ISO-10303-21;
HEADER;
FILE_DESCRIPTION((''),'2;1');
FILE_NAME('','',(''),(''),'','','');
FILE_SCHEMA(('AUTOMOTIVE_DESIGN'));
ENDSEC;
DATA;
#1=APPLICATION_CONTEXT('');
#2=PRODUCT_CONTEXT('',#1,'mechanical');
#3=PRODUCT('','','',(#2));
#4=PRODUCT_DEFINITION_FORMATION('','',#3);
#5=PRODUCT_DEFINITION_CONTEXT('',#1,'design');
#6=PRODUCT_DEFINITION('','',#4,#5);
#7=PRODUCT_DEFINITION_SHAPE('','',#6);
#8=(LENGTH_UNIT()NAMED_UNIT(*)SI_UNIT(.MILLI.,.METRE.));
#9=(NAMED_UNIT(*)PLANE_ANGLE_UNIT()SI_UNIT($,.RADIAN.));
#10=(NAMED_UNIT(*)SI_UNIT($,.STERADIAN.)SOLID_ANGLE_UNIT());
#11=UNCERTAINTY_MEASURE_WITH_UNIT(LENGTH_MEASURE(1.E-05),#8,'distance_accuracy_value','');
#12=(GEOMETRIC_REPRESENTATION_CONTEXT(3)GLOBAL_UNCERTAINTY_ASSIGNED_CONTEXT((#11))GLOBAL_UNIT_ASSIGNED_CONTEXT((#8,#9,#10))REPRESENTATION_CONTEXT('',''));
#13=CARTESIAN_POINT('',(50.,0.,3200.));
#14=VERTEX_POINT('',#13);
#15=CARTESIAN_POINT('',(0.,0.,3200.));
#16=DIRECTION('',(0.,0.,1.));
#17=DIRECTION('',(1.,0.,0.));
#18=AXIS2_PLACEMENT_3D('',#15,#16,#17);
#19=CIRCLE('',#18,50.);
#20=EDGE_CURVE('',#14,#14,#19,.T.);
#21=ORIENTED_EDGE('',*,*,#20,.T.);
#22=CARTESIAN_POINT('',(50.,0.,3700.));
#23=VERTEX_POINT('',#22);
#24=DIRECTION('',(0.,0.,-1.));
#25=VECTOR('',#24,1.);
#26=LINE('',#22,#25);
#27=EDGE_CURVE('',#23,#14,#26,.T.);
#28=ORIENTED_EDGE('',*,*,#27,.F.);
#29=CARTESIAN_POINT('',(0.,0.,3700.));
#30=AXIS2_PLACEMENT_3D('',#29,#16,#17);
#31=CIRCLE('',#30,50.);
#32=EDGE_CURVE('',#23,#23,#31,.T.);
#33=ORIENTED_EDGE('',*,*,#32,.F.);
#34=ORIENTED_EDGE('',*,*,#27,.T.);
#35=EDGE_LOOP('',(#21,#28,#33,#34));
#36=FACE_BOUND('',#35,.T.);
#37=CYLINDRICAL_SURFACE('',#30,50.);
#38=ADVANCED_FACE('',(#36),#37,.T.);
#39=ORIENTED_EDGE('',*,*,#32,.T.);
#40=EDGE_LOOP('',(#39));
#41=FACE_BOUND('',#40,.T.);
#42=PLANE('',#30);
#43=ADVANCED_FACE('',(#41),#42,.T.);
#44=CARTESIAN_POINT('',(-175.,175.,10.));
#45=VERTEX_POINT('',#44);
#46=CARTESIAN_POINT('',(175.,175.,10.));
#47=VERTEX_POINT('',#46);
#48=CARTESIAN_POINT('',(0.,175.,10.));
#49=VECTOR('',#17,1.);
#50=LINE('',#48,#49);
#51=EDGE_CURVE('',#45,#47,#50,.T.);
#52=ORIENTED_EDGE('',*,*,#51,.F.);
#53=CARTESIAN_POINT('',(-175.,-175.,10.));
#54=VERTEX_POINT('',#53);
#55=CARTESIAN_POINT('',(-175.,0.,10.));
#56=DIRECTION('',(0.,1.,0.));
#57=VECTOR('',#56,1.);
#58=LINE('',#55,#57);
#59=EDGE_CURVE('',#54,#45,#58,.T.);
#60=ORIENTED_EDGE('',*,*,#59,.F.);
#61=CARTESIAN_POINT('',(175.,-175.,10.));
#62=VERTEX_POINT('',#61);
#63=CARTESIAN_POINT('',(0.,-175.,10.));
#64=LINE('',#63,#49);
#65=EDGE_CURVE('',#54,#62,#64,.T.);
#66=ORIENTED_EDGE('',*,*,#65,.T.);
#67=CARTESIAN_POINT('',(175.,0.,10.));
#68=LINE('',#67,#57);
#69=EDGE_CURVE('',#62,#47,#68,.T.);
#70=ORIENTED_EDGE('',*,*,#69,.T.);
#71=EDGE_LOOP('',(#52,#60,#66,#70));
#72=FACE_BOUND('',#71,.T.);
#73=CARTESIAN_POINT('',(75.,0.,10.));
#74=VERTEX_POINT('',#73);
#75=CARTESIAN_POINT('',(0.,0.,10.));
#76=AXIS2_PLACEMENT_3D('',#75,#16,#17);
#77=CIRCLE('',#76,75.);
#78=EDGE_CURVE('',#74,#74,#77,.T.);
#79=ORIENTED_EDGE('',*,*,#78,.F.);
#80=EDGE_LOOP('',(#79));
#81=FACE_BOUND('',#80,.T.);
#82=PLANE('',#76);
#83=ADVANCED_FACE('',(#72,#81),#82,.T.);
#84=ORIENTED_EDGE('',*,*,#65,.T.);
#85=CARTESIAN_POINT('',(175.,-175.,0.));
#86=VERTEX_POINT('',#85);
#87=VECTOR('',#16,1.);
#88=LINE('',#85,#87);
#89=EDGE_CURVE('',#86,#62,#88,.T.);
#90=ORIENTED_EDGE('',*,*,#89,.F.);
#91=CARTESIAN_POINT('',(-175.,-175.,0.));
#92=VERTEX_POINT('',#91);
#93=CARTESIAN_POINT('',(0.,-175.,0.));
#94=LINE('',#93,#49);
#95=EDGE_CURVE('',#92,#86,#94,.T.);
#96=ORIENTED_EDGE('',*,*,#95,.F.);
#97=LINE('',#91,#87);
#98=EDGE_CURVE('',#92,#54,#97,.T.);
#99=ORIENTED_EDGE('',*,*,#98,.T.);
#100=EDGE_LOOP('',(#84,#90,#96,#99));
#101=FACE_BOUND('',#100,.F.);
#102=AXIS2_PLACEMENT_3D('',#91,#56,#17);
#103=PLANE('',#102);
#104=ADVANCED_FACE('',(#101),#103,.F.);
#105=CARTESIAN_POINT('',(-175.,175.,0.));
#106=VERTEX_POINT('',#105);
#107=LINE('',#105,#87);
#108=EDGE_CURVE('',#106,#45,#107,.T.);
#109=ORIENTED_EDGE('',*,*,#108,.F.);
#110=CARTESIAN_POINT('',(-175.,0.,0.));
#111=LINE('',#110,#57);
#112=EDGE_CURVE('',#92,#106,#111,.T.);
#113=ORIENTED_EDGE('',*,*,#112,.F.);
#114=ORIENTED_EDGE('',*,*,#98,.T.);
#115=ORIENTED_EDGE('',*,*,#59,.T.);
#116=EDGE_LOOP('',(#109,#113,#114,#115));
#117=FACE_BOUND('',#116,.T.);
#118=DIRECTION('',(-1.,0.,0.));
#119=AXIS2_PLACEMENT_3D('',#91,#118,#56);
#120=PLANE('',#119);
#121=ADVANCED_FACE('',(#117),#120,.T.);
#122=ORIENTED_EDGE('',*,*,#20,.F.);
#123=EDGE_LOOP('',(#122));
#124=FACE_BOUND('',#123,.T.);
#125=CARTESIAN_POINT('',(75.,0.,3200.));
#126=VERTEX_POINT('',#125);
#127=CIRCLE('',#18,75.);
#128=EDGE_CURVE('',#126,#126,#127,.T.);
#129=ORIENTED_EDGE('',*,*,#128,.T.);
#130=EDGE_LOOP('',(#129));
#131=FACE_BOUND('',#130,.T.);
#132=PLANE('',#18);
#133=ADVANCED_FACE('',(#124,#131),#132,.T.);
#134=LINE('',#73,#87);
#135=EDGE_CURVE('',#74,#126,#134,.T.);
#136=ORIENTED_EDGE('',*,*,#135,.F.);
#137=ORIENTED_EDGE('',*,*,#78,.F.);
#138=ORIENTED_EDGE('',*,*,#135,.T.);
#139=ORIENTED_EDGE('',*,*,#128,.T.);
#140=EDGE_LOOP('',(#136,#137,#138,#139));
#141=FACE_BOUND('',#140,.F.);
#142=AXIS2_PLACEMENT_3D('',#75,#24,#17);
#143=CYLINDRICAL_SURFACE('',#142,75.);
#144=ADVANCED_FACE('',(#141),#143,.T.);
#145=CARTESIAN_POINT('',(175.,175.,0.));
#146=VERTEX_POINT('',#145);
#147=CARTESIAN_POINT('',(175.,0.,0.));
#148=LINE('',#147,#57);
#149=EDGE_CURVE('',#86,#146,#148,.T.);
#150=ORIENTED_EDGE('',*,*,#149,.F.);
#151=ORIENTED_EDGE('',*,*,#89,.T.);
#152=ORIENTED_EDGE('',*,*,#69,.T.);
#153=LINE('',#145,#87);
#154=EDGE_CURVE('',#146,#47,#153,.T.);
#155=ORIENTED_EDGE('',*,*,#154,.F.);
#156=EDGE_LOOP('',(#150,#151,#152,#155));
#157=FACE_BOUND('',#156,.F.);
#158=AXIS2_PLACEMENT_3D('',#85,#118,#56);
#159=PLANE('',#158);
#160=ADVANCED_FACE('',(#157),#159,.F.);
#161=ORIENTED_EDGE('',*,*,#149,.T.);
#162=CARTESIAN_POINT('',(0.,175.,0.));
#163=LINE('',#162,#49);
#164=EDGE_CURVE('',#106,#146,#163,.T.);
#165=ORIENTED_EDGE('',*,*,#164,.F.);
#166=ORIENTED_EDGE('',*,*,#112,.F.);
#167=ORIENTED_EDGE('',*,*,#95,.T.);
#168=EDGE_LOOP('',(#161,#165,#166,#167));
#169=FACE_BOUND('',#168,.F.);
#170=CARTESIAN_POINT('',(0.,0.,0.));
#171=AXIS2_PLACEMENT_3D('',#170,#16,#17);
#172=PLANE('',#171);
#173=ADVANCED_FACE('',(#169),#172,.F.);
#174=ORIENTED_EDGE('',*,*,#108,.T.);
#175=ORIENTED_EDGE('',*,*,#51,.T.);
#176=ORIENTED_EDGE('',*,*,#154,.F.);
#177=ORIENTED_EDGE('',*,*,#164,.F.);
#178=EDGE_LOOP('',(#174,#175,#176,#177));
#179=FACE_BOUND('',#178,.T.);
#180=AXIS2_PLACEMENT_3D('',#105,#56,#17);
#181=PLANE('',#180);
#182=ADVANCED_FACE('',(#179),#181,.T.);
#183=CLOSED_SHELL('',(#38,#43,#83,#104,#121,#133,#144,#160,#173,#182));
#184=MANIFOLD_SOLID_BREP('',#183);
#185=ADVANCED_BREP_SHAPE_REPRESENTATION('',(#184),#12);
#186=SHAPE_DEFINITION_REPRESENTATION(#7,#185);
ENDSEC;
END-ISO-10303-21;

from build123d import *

# Parameters (mm, degrees)
F0_W     = 350
F0_H     = 350
F1_DEPTH = 10
F2_R     = 75
F3_DEPTH = 3690
F4_R     = 75
F4_R_2   = 50
F5_DEPTH = 500


with BuildPart() as f1:
    # F0 (on Top) → F1 (new body)
    with BuildSketch(Plane.XY):
        Rectangle(F0_W, F0_H)
    extrude(amount=F1_DEPTH)

    # F2 (on face) → F3 (join)
    with BuildSketch(Plane.XY.offset(10)):
        Circle(F2_R)
    extrude(amount=F3_DEPTH)

    # F4 (on face) → F5 (cut)
    with BuildSketch(Plane.XY.offset(3700)):
        Circle(F4_R)
        Circle(F4_R_2, mode=Mode.SUBTRACT)
    extrude(amount=-F5_DEPTH, mode=Mode.SUBTRACT)


solid = f1.part
